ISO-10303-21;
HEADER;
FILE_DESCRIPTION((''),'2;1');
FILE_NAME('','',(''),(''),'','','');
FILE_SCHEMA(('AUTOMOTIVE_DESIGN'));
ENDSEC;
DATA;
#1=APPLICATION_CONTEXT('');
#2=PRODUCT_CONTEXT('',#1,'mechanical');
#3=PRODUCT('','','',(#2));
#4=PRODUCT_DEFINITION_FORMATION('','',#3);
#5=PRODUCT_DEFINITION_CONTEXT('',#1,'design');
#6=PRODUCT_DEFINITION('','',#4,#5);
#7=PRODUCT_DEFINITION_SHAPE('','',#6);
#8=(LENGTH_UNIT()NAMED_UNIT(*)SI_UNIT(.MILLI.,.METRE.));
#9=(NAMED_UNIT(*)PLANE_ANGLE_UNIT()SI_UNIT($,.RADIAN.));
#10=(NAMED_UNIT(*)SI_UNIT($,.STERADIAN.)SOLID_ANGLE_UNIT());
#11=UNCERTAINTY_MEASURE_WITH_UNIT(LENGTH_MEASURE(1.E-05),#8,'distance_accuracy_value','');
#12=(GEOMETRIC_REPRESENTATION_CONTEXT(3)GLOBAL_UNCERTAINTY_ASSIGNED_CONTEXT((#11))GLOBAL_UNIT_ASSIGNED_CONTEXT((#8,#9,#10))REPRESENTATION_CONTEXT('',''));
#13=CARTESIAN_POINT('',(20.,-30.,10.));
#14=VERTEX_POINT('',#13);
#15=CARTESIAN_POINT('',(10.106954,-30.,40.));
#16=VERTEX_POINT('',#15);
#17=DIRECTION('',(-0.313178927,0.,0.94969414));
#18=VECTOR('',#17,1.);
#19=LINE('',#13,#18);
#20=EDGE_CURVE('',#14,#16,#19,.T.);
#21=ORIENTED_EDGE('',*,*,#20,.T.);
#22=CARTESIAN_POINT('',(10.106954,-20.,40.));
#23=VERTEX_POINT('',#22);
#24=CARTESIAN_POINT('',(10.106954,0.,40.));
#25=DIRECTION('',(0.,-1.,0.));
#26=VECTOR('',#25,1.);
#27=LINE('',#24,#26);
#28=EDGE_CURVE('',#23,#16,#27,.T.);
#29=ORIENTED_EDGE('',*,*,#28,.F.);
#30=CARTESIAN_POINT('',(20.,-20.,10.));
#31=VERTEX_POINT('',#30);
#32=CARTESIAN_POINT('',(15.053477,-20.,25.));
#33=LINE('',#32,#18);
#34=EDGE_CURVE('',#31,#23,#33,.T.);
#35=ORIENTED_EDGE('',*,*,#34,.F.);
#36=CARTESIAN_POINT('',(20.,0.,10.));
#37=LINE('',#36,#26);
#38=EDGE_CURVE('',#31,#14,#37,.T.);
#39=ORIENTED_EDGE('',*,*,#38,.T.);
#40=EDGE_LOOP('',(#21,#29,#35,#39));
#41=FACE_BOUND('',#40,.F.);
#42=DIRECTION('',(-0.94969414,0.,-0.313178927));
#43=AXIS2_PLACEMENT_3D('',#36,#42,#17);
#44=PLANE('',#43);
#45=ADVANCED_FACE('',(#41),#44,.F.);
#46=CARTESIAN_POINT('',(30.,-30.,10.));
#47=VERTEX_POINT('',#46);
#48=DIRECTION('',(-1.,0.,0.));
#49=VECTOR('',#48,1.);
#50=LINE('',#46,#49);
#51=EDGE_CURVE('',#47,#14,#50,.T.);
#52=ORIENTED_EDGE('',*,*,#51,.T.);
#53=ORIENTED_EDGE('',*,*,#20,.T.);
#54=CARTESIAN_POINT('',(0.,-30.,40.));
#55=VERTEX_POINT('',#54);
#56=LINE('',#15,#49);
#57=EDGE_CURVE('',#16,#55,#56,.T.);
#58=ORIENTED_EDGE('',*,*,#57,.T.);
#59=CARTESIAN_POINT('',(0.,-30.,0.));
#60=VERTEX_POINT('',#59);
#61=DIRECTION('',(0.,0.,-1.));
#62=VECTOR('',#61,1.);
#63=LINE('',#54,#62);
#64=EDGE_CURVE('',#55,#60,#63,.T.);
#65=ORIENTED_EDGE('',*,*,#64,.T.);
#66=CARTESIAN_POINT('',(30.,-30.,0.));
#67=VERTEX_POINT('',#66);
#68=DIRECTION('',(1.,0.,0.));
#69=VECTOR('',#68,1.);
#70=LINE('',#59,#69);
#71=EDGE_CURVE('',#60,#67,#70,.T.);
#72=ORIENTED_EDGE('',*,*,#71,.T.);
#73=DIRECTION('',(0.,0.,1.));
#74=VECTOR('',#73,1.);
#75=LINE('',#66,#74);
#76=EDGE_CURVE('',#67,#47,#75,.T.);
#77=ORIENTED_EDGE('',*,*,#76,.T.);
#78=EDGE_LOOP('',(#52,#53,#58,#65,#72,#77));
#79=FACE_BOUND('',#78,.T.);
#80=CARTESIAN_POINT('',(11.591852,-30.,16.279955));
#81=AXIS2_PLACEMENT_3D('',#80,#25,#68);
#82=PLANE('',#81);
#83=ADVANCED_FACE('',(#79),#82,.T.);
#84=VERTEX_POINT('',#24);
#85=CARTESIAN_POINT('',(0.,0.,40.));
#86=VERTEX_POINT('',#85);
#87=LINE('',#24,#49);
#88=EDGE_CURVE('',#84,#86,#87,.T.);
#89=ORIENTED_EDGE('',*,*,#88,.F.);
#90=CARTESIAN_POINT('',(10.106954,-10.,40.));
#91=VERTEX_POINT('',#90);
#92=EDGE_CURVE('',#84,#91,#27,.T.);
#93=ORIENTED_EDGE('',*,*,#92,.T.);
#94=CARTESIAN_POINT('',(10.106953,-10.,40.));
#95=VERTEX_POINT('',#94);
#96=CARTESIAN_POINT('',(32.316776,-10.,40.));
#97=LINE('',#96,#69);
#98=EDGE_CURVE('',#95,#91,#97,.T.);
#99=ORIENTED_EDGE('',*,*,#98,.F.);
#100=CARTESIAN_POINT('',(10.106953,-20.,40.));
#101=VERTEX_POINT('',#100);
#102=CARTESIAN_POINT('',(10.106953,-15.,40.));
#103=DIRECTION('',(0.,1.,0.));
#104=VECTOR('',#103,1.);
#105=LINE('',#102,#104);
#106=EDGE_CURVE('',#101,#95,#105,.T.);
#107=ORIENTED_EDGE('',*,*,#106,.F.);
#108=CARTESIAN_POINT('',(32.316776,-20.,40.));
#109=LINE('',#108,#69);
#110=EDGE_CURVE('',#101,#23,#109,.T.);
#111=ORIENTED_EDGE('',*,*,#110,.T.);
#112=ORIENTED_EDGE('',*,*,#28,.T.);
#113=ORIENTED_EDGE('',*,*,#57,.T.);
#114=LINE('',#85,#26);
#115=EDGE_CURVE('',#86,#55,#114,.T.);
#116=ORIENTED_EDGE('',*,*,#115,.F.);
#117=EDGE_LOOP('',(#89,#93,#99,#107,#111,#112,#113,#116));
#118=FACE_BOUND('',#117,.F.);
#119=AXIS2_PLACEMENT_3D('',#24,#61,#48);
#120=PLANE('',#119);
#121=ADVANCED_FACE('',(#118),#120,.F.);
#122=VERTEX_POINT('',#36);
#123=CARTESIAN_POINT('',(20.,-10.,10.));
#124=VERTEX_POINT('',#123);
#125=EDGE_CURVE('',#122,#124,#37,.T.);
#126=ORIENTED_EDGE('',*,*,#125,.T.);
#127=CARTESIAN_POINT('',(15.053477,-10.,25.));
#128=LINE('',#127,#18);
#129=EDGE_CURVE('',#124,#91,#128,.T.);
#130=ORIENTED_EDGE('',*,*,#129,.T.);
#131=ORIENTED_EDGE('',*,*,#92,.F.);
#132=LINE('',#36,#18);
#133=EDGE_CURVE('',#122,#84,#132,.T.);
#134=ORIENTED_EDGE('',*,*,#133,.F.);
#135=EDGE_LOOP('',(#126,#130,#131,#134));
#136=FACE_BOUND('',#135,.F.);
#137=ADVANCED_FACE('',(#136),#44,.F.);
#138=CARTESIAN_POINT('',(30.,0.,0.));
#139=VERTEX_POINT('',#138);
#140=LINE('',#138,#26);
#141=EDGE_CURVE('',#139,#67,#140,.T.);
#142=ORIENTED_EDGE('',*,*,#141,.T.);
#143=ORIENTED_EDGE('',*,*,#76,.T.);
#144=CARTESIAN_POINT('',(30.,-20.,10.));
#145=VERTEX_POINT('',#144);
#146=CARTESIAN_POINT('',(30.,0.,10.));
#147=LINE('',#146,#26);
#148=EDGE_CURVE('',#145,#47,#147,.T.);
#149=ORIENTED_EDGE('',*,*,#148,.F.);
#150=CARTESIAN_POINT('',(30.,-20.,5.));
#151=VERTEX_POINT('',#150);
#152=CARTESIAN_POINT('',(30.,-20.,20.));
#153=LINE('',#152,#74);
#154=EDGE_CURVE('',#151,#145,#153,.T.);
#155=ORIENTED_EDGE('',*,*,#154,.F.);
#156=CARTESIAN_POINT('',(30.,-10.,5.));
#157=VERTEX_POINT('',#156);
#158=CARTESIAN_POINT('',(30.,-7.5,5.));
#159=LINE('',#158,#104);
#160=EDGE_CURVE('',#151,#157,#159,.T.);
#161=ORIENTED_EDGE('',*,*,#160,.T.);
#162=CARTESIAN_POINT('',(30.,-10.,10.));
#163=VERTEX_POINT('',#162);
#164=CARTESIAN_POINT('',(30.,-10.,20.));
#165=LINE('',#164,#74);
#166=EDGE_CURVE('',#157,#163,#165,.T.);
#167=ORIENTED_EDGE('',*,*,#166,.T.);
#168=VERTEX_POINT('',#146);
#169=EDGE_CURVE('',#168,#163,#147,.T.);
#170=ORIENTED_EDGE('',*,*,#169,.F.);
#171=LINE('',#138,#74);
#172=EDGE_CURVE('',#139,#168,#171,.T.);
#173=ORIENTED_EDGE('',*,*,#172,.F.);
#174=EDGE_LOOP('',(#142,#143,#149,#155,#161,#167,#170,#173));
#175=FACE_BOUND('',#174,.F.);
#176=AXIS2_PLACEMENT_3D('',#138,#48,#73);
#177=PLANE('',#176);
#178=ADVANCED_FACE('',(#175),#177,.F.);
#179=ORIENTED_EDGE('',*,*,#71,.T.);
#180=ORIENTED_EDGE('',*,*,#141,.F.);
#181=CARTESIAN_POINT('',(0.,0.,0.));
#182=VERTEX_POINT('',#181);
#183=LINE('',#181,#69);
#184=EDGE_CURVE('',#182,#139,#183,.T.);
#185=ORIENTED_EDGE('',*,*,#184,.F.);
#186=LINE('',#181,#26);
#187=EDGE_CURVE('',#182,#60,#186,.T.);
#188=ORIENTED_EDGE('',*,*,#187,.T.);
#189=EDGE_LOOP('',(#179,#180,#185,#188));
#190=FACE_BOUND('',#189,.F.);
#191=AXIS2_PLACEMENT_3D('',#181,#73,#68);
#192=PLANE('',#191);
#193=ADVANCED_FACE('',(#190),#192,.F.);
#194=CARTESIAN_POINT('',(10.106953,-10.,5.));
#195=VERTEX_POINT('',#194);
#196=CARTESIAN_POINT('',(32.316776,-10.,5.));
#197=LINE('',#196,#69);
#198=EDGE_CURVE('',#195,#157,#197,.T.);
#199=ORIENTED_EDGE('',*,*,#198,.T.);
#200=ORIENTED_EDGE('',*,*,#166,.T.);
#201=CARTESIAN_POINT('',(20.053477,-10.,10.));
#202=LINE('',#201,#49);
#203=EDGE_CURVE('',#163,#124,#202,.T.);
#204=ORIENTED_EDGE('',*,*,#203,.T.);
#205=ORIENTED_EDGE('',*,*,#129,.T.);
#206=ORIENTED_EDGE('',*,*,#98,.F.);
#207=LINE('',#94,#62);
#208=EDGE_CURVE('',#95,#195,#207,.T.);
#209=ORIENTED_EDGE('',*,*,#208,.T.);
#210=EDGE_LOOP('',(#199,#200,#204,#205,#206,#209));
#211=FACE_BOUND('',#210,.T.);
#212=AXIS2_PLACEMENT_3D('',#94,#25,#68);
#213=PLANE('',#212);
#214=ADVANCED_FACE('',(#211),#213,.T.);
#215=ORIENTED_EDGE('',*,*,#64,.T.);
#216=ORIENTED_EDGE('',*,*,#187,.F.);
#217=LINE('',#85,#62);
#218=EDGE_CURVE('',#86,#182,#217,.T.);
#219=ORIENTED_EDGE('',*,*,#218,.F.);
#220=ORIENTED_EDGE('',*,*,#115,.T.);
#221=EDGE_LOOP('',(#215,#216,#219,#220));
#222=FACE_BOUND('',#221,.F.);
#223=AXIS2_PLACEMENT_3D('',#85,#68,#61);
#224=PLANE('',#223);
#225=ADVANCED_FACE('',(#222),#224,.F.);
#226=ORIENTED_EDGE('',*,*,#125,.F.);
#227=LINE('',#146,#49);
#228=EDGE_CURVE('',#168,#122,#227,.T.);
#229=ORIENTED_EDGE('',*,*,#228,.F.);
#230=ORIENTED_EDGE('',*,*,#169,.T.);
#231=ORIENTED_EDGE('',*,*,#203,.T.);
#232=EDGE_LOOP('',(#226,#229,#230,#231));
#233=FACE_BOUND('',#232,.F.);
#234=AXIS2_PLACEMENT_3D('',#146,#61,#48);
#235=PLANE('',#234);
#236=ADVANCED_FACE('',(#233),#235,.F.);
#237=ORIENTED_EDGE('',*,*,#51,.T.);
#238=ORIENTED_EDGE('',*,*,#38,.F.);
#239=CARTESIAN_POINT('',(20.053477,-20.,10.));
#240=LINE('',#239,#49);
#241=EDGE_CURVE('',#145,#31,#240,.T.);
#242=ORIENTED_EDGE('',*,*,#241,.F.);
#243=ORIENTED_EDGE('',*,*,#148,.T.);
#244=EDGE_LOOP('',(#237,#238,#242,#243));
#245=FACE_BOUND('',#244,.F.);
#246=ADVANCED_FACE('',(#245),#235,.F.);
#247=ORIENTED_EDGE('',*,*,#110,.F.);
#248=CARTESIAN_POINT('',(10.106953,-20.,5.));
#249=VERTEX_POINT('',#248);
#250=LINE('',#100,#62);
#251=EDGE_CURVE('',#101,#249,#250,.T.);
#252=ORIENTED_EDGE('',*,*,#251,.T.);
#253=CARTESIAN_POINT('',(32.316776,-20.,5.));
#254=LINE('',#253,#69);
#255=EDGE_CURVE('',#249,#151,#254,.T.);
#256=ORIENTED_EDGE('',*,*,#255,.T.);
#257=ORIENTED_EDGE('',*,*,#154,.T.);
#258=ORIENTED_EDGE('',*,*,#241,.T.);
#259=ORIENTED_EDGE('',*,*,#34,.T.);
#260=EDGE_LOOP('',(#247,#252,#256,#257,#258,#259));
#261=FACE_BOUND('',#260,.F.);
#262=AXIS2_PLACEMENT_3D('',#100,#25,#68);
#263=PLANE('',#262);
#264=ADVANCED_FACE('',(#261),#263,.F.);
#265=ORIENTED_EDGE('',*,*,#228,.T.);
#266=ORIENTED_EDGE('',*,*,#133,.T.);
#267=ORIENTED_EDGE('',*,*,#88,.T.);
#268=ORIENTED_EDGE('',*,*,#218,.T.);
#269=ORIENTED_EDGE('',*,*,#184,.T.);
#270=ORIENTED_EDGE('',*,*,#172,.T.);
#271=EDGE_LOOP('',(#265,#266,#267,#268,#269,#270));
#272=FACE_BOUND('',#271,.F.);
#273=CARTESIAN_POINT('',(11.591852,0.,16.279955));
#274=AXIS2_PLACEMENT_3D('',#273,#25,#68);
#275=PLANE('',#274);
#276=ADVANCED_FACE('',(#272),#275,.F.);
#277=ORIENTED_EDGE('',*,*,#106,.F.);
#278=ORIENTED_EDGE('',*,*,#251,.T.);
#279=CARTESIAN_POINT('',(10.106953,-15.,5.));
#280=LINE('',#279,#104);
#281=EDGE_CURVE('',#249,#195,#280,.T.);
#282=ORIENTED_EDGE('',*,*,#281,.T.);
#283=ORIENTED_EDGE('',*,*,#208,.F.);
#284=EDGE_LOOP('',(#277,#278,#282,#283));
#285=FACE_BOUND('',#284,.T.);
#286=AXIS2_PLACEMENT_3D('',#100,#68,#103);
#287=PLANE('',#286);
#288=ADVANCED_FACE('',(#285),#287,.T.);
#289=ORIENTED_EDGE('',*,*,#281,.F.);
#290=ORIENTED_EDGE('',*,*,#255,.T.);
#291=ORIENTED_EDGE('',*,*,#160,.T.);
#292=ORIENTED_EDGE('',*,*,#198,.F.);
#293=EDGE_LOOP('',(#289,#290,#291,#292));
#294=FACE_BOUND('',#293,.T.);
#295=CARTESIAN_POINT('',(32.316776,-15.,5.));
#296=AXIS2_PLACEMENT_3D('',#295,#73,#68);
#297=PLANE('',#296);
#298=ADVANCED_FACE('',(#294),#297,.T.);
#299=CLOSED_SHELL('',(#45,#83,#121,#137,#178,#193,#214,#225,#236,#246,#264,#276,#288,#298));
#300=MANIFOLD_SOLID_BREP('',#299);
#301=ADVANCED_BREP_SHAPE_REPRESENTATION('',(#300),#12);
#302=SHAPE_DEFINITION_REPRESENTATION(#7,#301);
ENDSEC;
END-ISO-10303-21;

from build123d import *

# Parameters (mm, degrees)
F1_DEPTH = 30
F2_W     = 44.419645
F2_H     = 10
F3_DEPTH = 35


with BuildPart() as f1:
    # F0 (on Front) → F1 (new body)
    with BuildSketch(Plane.XZ):
        Polygon((10.106954, 40), (0, 40), (0, 0), (30, 0), (30, 10), (20, 10), align=None)
    extrude(amount=F1_DEPTH)

    # F2 (on face) → F3 (cut)
    with BuildSketch(Plane.XY.offset(40)):
        with Locations((32.316776, -15)):
            Rectangle(F2_W, F2_H)
    extrude(amount=-F3_DEPTH, mode=Mode.SUBTRACT)


solid = f1.part
